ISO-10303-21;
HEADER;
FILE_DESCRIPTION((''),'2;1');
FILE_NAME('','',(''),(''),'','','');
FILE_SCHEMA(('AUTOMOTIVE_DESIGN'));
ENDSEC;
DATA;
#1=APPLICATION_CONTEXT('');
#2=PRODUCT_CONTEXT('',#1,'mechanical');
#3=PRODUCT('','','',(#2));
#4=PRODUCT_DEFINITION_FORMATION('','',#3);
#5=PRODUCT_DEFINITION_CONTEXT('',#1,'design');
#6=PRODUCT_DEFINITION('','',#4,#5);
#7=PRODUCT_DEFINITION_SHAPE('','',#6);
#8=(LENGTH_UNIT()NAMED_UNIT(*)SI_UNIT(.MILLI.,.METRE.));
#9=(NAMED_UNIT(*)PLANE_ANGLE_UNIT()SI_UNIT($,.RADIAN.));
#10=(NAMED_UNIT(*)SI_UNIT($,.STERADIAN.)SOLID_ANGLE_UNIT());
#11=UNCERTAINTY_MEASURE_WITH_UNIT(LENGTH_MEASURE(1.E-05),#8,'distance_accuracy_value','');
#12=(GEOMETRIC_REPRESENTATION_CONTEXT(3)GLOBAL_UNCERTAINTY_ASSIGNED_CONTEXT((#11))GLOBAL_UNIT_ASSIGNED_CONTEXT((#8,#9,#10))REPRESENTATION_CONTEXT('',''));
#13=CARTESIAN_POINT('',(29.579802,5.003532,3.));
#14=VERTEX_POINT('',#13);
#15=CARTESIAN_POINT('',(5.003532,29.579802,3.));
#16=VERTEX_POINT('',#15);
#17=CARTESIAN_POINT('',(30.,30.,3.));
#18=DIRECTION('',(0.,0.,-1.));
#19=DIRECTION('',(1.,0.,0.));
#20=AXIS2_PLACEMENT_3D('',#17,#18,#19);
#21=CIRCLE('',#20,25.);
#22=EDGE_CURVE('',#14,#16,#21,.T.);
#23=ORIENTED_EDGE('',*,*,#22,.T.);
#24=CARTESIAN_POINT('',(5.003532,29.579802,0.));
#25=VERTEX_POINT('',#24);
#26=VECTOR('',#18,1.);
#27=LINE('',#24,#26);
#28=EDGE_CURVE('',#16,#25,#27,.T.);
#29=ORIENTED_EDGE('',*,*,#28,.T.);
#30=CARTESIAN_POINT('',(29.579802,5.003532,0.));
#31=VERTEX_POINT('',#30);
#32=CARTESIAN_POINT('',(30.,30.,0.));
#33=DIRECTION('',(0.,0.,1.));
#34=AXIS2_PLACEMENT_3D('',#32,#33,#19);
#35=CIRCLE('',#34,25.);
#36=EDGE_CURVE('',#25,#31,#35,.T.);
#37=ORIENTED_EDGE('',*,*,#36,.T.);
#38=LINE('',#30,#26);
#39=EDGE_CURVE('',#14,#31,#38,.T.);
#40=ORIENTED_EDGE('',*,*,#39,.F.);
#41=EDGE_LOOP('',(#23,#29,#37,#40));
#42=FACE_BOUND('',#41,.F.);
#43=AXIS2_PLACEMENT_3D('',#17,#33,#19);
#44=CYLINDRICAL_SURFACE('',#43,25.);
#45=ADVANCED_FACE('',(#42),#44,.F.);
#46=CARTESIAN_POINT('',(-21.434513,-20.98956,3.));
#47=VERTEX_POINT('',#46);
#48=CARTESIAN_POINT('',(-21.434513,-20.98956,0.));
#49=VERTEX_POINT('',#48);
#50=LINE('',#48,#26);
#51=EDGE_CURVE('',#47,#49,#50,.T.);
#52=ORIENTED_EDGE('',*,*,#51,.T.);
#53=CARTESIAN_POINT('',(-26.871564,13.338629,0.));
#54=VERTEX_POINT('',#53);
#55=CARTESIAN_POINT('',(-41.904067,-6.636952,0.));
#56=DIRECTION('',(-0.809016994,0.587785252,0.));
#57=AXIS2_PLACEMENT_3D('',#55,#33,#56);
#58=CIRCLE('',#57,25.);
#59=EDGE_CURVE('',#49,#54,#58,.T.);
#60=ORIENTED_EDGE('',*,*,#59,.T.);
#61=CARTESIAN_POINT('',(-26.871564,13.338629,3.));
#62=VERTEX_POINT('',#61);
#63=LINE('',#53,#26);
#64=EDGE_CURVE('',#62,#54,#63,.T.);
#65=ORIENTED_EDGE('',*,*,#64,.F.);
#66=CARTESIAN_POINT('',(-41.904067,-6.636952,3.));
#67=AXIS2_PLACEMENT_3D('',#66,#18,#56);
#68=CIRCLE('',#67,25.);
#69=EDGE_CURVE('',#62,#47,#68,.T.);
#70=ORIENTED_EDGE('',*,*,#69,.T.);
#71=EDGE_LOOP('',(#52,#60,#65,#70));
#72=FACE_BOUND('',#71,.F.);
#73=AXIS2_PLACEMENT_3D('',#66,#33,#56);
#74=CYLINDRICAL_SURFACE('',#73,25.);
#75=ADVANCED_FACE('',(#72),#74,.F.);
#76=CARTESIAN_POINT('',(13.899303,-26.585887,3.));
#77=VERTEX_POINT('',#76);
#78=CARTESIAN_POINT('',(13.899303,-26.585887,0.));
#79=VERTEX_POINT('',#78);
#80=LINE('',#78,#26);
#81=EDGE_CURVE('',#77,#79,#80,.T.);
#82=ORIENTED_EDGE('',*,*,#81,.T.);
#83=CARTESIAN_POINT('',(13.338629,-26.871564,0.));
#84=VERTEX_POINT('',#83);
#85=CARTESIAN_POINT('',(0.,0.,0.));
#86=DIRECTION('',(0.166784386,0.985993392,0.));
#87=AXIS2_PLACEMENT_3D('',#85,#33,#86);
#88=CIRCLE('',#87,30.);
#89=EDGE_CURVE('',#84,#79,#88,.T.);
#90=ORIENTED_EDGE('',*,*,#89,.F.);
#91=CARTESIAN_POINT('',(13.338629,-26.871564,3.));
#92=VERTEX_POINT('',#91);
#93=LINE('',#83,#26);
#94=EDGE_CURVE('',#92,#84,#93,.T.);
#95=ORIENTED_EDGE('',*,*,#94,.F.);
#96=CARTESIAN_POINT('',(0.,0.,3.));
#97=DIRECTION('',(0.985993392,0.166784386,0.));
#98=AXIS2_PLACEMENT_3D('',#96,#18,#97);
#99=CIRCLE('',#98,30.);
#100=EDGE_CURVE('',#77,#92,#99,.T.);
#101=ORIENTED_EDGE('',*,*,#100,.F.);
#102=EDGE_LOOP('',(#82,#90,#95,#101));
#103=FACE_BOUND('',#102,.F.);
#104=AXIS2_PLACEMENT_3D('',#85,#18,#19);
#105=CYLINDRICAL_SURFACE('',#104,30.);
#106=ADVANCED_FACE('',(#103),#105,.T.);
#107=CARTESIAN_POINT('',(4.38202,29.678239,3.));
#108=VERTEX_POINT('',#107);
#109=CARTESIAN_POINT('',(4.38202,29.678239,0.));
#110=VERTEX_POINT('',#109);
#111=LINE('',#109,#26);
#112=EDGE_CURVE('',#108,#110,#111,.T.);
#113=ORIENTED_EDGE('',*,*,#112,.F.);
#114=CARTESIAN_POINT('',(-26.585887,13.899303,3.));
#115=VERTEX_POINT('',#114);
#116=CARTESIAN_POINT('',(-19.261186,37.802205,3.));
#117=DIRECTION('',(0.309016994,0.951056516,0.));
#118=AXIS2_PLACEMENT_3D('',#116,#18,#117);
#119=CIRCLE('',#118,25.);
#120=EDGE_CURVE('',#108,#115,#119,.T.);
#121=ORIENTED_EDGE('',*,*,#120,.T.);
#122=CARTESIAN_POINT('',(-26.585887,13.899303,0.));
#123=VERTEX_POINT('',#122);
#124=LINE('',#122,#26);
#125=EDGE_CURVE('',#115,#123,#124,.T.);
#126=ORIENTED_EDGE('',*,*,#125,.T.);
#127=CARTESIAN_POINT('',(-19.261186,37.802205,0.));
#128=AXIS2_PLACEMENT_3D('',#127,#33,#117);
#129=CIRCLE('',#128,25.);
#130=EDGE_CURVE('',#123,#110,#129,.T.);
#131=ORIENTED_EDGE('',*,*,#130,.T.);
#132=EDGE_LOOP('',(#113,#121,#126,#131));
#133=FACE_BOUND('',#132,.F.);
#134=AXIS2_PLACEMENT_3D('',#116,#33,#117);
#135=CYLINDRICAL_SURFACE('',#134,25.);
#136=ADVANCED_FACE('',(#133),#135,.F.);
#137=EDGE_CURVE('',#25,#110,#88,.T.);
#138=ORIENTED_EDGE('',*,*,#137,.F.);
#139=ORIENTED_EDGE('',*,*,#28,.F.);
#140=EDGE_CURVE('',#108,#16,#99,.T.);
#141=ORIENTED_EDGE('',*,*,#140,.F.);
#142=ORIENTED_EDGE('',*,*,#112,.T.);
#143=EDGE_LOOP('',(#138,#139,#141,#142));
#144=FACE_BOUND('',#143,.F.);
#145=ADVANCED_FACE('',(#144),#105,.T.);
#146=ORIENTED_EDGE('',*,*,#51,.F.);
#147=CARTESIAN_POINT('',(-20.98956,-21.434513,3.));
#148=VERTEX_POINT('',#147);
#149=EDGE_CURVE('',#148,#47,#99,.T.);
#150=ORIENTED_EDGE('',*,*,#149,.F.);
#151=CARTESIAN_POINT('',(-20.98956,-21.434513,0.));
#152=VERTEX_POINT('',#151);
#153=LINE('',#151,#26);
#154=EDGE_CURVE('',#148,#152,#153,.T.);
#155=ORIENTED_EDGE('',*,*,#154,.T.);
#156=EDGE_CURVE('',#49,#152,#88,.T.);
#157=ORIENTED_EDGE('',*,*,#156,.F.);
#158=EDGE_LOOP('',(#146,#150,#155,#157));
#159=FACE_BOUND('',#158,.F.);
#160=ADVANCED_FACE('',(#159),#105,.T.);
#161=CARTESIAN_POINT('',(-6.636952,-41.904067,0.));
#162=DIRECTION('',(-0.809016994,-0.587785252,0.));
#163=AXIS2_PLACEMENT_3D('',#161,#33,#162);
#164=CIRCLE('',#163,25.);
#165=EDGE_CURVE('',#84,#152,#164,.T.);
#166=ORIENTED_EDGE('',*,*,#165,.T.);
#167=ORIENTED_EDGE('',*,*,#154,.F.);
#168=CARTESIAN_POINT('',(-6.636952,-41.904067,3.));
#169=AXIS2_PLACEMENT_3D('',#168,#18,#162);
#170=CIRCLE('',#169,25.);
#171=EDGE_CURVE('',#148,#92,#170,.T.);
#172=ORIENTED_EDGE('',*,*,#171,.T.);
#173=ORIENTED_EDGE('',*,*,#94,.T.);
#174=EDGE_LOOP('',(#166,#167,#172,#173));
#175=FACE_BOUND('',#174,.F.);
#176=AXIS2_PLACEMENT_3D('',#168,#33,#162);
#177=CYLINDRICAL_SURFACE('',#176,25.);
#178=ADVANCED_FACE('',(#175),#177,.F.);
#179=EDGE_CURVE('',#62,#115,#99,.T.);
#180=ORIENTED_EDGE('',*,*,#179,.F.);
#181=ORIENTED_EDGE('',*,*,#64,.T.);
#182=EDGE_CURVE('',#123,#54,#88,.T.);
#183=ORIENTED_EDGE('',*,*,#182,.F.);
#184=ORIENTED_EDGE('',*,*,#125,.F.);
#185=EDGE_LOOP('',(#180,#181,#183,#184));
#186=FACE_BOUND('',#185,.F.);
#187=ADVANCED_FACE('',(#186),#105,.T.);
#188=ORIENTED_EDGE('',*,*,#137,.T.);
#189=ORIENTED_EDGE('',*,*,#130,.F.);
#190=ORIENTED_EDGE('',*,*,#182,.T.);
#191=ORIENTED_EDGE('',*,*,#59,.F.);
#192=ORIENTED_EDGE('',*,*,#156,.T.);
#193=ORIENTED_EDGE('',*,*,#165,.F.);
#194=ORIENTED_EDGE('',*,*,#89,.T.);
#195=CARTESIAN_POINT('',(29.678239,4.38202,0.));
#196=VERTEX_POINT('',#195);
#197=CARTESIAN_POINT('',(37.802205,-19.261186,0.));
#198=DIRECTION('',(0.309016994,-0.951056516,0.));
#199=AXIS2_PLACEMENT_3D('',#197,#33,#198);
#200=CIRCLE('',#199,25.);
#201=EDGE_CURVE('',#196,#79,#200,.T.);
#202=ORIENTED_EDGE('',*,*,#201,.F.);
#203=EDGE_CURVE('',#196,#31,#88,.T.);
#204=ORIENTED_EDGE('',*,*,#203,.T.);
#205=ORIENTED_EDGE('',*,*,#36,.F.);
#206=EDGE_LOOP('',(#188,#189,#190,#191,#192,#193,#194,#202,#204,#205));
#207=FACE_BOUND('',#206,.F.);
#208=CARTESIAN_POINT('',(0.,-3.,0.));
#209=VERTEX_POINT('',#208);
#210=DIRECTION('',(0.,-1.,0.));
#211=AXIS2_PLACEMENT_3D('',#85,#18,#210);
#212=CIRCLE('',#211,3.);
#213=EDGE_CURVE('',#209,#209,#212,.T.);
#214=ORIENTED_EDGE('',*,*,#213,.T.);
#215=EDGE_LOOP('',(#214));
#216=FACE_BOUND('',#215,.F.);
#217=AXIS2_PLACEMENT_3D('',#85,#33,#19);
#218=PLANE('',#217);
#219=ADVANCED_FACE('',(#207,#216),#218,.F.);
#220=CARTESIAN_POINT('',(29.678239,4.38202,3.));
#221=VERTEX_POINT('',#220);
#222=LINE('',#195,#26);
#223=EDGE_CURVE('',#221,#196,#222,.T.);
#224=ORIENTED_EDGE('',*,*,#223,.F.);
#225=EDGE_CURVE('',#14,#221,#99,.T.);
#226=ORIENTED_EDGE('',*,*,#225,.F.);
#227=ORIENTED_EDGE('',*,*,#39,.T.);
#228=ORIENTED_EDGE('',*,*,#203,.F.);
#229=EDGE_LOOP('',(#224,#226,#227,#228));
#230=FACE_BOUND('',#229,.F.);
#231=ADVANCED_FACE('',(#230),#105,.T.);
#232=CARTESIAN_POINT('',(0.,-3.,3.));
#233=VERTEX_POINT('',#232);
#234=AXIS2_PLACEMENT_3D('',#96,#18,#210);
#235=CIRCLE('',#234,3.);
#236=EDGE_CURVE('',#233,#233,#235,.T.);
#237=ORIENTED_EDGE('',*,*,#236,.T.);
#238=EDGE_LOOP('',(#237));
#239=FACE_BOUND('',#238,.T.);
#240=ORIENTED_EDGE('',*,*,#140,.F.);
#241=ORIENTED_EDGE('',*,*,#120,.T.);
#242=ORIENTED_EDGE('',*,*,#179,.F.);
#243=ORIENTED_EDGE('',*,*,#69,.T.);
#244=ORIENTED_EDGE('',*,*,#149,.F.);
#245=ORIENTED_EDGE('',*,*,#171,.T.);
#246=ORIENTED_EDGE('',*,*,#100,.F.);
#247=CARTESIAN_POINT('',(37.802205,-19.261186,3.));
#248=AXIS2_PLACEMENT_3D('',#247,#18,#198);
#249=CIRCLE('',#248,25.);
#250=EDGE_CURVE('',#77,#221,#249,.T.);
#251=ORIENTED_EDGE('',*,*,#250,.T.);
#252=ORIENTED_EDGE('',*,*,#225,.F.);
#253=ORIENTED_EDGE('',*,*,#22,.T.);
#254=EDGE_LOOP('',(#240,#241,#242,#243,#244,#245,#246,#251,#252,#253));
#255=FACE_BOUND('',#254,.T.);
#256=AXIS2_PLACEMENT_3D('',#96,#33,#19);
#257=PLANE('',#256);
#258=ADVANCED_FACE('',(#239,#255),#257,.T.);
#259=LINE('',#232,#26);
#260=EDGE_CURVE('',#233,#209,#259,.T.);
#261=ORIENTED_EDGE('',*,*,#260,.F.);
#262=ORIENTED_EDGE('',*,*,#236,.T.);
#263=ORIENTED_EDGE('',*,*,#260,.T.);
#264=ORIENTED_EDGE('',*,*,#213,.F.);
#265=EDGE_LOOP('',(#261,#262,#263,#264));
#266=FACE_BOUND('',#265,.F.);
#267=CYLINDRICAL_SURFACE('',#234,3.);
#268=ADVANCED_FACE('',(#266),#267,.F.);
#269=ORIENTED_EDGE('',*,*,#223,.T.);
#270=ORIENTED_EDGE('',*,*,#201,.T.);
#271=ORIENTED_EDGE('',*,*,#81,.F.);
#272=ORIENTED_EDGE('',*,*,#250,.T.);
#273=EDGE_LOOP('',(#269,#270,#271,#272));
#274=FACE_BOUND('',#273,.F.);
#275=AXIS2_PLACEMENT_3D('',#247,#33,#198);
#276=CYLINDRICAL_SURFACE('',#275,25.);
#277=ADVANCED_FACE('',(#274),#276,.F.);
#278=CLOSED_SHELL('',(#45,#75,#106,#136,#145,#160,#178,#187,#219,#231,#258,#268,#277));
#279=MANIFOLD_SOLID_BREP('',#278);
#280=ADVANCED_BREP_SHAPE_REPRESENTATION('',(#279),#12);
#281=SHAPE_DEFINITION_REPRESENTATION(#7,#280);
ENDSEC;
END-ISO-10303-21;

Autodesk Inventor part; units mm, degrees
ref_plane "YZ Plane" through (0, 0, 0) normal (1, 0, 0) x (0, 1, 0)
ref_plane "XZ Plane" through (0, 0, 0) normal (0, 1, 0) x (-1, 0, 0)
ref_plane "XY Plane" through (0, 0, 0) normal (0, 0, 1) x (1, 0, 0)
sketch "Sketch1" plane through (0, 0, 0) normal (0, 0, 1) x (1, 0, 0)
  circle A0 centre (0, 0) radius 30
  dimension "d0" = 60
extrude "Extrusion1" add sketch "Sketch1" along normal blind 3
sketch "Sketch2" plane through (0, 0, 3) normal (0, 0, 1) x (1, 0, 0)
  circle A0 centre (0, 0) radius 30 projected
  circle A1 centre (30, 30) radius 25
  dimension "d6" = 50
  dimension "d7" = 30
  dimension "d8" = 30
extrude "Extrusion2" cut sketch "Sketch2" against normal through all contours A1 A0 | A0 A1 picked at (18.8229, 17.5315) picked at (30.2504, 29.5845)
pattern_circular "Circular Pattern1" count 5 over 360 about axis through (0, 0, -10) along (0, 0, 1) of "Extrusion2"
sketch "Sketch3" plane through (0, 0, 3) normal (0, 0, 1) x (1, 0, 0)
  point P0 (0, 0)
  point P1 (0, 0)
hole "Hole1" at (0, 0, 3) direction (0, 0, -1) diameter 6 end through all
equation "\"d8\" = d7"
properties part number "Timing_Star"
